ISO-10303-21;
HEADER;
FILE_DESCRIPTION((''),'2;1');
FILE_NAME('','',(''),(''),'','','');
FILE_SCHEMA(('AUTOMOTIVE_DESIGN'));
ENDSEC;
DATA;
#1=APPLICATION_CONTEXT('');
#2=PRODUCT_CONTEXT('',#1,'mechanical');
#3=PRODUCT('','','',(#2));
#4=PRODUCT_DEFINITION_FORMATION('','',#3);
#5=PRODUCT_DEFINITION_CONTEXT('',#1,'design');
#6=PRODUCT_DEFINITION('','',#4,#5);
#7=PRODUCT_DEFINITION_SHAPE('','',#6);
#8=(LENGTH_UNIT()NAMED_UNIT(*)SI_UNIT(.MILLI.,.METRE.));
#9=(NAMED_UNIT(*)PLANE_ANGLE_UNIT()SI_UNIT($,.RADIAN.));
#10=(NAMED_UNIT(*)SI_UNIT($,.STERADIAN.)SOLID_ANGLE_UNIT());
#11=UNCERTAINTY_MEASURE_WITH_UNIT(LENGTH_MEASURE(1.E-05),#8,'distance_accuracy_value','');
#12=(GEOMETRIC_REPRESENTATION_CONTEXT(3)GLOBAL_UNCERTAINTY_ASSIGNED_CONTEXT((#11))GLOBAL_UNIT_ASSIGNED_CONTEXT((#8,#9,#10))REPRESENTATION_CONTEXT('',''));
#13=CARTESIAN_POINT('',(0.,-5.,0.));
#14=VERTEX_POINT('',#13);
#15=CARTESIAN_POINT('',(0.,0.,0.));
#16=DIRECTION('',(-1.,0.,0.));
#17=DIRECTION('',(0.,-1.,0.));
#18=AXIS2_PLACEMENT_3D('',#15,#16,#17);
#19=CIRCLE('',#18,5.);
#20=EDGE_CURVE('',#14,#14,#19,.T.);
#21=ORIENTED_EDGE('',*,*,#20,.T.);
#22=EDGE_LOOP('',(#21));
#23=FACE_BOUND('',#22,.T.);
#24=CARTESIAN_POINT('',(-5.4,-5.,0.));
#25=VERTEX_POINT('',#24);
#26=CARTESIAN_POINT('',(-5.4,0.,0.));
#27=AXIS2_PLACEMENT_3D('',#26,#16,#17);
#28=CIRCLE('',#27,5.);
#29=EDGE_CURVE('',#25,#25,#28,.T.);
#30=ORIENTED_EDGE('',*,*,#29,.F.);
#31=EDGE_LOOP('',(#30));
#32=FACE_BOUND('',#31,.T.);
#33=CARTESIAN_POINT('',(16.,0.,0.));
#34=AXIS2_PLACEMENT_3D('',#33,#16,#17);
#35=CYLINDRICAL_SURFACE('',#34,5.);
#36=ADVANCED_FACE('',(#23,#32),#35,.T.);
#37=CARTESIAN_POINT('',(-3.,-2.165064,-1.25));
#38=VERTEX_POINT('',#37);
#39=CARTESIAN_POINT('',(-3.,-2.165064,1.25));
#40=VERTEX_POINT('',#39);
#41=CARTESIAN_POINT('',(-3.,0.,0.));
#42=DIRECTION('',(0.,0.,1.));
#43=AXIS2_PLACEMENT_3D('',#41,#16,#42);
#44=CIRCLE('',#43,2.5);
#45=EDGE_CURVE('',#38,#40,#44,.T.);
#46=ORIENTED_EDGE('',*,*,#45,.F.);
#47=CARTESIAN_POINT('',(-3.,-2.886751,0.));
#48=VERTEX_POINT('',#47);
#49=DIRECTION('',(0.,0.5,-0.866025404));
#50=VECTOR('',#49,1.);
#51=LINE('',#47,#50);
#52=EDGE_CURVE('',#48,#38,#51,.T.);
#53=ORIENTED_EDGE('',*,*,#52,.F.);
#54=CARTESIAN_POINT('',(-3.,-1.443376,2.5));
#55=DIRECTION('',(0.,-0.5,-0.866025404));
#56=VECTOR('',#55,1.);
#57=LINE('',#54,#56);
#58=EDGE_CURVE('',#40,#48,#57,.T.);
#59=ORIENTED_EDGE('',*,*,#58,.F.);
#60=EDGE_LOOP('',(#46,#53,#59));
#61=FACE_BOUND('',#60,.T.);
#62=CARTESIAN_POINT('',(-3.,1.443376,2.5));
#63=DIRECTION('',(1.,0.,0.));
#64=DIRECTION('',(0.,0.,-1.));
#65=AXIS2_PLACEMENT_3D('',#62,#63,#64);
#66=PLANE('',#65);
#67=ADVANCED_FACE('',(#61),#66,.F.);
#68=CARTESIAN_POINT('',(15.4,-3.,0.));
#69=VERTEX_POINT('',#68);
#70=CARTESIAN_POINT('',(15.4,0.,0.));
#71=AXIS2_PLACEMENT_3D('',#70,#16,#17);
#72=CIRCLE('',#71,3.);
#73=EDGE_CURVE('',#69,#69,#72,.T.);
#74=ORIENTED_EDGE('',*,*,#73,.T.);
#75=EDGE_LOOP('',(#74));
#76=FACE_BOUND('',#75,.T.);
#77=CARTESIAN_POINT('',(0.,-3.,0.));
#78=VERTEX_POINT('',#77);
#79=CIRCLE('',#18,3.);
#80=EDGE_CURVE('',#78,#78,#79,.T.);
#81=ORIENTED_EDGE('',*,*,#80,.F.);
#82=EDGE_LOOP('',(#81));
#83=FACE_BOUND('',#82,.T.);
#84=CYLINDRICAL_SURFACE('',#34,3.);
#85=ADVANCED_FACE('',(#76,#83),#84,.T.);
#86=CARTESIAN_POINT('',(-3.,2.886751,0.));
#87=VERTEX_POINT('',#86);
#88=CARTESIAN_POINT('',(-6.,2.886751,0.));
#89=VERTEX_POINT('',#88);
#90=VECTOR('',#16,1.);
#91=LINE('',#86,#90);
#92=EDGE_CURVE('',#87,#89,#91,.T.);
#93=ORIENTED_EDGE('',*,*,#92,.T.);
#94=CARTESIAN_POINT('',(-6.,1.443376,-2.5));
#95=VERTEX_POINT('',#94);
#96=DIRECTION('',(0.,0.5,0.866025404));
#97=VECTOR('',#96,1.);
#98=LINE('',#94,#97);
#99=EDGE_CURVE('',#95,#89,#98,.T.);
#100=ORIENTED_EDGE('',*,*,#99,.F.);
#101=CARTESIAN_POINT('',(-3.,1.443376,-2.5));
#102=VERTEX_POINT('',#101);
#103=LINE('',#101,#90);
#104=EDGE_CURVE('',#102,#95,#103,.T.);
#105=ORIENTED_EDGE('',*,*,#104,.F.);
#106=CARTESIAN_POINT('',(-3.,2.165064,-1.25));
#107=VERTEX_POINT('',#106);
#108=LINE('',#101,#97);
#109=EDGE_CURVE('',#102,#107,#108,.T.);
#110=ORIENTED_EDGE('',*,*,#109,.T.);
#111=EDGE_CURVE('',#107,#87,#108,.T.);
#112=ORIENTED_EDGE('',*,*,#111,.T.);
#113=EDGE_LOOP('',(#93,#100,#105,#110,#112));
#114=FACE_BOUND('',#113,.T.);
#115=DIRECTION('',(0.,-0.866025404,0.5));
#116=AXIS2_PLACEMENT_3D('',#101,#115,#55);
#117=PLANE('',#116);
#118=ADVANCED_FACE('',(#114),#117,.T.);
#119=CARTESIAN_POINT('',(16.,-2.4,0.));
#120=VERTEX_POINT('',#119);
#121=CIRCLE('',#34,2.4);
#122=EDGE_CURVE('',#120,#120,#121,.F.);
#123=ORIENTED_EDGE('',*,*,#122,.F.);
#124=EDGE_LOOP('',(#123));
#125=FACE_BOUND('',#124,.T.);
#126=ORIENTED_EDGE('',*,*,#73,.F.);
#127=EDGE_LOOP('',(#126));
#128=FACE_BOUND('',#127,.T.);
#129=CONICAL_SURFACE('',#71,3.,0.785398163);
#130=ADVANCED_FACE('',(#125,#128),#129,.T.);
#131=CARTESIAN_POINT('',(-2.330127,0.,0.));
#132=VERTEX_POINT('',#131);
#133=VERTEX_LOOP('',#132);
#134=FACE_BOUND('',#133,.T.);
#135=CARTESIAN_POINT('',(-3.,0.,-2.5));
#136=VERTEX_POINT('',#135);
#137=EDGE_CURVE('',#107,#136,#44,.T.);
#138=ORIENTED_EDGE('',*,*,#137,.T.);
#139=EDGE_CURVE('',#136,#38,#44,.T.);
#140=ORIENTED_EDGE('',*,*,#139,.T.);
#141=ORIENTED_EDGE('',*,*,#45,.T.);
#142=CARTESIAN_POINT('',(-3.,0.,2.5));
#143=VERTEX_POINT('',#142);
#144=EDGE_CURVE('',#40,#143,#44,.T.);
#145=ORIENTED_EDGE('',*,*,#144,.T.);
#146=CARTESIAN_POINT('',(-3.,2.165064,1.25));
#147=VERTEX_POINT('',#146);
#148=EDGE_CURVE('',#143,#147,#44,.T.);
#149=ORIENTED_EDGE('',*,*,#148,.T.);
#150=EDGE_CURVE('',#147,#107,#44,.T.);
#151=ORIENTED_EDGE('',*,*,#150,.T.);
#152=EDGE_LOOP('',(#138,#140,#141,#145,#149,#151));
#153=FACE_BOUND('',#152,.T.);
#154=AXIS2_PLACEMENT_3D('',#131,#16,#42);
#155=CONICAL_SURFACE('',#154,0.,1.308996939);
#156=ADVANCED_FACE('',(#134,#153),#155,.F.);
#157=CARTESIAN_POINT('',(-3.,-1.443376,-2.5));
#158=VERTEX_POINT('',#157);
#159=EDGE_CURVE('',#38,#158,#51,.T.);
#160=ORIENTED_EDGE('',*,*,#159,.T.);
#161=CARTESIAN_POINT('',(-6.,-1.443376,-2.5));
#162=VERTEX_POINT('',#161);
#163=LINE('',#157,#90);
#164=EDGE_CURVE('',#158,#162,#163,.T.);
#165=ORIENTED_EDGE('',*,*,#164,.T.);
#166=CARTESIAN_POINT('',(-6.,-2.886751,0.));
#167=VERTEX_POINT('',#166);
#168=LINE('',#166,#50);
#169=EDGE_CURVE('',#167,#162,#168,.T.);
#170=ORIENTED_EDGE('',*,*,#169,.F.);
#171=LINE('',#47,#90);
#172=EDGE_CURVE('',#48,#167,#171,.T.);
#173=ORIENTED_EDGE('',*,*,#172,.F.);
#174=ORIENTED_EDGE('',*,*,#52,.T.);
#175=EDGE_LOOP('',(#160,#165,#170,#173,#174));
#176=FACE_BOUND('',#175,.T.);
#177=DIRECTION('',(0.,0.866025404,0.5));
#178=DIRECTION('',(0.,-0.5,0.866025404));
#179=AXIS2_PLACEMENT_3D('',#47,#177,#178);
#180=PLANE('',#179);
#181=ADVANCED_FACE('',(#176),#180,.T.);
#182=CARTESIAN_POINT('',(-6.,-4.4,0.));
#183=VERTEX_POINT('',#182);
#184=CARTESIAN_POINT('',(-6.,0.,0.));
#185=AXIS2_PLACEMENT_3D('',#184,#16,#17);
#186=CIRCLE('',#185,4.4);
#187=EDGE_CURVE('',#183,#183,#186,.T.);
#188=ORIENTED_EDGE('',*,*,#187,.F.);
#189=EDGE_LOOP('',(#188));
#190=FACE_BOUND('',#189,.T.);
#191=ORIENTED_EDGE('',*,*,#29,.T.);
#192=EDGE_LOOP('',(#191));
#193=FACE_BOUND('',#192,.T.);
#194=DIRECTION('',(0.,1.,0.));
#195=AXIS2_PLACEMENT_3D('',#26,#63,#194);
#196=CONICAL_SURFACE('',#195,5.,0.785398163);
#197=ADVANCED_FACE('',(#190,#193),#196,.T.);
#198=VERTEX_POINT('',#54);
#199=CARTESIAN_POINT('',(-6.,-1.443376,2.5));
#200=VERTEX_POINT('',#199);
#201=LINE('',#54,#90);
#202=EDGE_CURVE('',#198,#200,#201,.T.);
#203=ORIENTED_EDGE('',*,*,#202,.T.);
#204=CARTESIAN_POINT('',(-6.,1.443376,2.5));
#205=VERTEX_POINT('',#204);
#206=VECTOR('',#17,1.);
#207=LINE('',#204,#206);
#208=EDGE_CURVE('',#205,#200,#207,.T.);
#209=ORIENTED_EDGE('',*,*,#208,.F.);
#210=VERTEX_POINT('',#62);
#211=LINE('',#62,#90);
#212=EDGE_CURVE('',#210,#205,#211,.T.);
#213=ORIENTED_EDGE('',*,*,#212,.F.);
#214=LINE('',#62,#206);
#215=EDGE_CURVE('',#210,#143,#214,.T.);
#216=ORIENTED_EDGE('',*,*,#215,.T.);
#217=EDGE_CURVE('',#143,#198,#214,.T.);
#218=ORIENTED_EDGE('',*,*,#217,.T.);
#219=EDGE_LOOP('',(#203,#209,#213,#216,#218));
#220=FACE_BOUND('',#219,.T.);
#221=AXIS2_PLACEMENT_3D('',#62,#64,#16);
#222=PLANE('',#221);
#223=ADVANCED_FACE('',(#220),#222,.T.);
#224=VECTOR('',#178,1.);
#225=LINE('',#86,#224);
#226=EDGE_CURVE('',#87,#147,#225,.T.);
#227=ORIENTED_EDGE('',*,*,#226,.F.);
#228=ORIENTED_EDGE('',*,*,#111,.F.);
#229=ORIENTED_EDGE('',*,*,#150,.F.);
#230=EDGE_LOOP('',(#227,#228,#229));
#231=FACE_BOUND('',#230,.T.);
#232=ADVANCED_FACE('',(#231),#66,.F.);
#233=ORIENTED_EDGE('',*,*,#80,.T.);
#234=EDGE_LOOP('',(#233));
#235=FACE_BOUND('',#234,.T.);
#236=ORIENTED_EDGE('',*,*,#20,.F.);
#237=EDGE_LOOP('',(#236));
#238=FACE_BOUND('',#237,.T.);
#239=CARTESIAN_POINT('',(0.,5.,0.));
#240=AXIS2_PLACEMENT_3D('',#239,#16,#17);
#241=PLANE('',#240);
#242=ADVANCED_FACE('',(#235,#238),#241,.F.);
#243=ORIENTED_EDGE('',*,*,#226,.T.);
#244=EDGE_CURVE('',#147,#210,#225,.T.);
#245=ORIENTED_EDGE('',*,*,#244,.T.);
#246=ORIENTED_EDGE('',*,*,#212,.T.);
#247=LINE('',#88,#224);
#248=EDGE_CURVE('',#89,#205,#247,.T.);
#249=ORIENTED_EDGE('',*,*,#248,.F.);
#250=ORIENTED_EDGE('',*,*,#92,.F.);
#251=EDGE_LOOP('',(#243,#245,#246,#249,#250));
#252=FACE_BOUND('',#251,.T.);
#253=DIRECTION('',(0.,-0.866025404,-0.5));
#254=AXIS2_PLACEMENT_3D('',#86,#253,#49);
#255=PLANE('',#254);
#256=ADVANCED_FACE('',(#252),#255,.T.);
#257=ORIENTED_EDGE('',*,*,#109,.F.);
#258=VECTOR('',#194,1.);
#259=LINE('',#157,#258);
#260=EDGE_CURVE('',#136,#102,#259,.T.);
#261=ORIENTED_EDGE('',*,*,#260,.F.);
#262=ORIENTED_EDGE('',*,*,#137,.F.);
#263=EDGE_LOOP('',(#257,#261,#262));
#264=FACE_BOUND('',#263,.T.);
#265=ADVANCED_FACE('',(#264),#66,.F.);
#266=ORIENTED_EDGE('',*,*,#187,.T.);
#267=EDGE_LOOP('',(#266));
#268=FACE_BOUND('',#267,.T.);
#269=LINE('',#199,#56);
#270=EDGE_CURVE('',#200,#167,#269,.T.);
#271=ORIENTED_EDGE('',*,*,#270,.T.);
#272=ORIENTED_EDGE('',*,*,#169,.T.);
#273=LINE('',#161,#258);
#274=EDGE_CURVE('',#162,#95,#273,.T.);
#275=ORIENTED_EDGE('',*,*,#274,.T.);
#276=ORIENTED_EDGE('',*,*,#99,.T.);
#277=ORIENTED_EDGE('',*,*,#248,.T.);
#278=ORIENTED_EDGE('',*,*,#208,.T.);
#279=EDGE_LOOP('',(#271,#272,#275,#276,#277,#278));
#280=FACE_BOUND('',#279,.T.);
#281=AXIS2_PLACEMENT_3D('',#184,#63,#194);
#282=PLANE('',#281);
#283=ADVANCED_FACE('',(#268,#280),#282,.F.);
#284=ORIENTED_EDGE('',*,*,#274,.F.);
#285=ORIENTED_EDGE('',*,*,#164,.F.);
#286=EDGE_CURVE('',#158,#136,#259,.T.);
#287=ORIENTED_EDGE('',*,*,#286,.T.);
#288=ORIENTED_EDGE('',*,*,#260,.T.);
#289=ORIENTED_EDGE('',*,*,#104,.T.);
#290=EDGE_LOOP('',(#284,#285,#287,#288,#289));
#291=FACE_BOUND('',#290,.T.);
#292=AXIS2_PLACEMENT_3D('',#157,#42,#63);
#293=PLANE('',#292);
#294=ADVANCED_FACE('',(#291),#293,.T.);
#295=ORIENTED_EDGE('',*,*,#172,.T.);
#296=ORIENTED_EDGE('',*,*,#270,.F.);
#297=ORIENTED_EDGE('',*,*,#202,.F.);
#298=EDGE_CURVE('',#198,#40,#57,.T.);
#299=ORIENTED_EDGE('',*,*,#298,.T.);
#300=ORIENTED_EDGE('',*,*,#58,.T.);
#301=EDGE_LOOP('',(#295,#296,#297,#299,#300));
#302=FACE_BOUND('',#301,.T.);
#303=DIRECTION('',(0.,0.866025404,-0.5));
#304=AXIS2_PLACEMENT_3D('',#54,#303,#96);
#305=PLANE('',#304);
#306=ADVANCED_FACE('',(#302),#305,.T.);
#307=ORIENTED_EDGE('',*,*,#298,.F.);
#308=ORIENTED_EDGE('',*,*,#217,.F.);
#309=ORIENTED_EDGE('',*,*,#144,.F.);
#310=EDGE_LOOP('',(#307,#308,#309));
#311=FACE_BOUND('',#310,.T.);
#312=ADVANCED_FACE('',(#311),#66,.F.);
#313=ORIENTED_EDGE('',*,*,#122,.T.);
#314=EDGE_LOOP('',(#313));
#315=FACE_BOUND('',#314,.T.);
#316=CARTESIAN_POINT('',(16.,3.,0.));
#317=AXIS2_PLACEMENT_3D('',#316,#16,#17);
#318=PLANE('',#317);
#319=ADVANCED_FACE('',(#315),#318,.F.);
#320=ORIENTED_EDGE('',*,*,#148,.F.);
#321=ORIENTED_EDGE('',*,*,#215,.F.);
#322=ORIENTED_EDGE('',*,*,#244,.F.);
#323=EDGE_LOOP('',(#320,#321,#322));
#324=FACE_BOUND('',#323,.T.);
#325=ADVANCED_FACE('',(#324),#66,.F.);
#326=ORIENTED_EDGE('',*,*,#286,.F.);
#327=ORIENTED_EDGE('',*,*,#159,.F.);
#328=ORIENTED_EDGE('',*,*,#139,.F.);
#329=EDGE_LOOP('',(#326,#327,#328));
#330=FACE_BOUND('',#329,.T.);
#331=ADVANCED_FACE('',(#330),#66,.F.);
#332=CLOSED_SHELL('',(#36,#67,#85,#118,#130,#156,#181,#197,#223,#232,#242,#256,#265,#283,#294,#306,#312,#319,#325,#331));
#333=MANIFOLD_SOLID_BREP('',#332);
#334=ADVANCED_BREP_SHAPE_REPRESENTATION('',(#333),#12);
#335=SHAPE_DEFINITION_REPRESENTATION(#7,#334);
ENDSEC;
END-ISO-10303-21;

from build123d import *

# Parameters (mm, degrees)
CHAMFER1_SIZE      = 0.6
CUT_EXTRUDE1_DEPTH = 3


with BuildPart() as part:
    # Sketch1 → Revolve1 (revolve)
    with BuildSketch(Plane.XY):
        Polygon((-6, 0), (-6, 4.4), (-5.4, 5), (0, 5), (0, 3), (16, 3), (16, 0), align=None)
    revolve(axis=Axis((16, 0, 0), (-1, 0, 0)))

    # Chamfer1
    chamfer1_edges = [part.edges().sort_by_distance(p)[0] for p in [
        (16, -3, 0),
    ]]
    chamfer(chamfer1_edges, length=CHAMFER1_SIZE)

    # Sketch2 → Cut-Revolve1 (revolve, cut)
    with BuildSketch(Plane.XY):
        Polygon((-6, 0), (-6, 2.5), (-3, 2.5), (-2.330127019, 0), align=None)
    revolve(axis=Axis((-2.330127019, 0, 0), (-1, 0, 0)), mode=Mode.SUBTRACT)

    # Sketch3 → Cut-Extrude1 (cut)
    with BuildSketch(Plane(origin=(-6, 0, 0), x_dir=(0, 0, -1), z_dir=(1, 0, 0))):
        Polygon((-2.5, 1.443375673), (-2.5, -1.443375673), (0, -2.886751346), (2.5, -1.443375673), (2.5, 1.443375673), (0, 2.886751346), align=None)
    extrude(amount=CUT_EXTRUDE1_DEPTH, mode=Mode.SUBTRACT)


solid = part.part
